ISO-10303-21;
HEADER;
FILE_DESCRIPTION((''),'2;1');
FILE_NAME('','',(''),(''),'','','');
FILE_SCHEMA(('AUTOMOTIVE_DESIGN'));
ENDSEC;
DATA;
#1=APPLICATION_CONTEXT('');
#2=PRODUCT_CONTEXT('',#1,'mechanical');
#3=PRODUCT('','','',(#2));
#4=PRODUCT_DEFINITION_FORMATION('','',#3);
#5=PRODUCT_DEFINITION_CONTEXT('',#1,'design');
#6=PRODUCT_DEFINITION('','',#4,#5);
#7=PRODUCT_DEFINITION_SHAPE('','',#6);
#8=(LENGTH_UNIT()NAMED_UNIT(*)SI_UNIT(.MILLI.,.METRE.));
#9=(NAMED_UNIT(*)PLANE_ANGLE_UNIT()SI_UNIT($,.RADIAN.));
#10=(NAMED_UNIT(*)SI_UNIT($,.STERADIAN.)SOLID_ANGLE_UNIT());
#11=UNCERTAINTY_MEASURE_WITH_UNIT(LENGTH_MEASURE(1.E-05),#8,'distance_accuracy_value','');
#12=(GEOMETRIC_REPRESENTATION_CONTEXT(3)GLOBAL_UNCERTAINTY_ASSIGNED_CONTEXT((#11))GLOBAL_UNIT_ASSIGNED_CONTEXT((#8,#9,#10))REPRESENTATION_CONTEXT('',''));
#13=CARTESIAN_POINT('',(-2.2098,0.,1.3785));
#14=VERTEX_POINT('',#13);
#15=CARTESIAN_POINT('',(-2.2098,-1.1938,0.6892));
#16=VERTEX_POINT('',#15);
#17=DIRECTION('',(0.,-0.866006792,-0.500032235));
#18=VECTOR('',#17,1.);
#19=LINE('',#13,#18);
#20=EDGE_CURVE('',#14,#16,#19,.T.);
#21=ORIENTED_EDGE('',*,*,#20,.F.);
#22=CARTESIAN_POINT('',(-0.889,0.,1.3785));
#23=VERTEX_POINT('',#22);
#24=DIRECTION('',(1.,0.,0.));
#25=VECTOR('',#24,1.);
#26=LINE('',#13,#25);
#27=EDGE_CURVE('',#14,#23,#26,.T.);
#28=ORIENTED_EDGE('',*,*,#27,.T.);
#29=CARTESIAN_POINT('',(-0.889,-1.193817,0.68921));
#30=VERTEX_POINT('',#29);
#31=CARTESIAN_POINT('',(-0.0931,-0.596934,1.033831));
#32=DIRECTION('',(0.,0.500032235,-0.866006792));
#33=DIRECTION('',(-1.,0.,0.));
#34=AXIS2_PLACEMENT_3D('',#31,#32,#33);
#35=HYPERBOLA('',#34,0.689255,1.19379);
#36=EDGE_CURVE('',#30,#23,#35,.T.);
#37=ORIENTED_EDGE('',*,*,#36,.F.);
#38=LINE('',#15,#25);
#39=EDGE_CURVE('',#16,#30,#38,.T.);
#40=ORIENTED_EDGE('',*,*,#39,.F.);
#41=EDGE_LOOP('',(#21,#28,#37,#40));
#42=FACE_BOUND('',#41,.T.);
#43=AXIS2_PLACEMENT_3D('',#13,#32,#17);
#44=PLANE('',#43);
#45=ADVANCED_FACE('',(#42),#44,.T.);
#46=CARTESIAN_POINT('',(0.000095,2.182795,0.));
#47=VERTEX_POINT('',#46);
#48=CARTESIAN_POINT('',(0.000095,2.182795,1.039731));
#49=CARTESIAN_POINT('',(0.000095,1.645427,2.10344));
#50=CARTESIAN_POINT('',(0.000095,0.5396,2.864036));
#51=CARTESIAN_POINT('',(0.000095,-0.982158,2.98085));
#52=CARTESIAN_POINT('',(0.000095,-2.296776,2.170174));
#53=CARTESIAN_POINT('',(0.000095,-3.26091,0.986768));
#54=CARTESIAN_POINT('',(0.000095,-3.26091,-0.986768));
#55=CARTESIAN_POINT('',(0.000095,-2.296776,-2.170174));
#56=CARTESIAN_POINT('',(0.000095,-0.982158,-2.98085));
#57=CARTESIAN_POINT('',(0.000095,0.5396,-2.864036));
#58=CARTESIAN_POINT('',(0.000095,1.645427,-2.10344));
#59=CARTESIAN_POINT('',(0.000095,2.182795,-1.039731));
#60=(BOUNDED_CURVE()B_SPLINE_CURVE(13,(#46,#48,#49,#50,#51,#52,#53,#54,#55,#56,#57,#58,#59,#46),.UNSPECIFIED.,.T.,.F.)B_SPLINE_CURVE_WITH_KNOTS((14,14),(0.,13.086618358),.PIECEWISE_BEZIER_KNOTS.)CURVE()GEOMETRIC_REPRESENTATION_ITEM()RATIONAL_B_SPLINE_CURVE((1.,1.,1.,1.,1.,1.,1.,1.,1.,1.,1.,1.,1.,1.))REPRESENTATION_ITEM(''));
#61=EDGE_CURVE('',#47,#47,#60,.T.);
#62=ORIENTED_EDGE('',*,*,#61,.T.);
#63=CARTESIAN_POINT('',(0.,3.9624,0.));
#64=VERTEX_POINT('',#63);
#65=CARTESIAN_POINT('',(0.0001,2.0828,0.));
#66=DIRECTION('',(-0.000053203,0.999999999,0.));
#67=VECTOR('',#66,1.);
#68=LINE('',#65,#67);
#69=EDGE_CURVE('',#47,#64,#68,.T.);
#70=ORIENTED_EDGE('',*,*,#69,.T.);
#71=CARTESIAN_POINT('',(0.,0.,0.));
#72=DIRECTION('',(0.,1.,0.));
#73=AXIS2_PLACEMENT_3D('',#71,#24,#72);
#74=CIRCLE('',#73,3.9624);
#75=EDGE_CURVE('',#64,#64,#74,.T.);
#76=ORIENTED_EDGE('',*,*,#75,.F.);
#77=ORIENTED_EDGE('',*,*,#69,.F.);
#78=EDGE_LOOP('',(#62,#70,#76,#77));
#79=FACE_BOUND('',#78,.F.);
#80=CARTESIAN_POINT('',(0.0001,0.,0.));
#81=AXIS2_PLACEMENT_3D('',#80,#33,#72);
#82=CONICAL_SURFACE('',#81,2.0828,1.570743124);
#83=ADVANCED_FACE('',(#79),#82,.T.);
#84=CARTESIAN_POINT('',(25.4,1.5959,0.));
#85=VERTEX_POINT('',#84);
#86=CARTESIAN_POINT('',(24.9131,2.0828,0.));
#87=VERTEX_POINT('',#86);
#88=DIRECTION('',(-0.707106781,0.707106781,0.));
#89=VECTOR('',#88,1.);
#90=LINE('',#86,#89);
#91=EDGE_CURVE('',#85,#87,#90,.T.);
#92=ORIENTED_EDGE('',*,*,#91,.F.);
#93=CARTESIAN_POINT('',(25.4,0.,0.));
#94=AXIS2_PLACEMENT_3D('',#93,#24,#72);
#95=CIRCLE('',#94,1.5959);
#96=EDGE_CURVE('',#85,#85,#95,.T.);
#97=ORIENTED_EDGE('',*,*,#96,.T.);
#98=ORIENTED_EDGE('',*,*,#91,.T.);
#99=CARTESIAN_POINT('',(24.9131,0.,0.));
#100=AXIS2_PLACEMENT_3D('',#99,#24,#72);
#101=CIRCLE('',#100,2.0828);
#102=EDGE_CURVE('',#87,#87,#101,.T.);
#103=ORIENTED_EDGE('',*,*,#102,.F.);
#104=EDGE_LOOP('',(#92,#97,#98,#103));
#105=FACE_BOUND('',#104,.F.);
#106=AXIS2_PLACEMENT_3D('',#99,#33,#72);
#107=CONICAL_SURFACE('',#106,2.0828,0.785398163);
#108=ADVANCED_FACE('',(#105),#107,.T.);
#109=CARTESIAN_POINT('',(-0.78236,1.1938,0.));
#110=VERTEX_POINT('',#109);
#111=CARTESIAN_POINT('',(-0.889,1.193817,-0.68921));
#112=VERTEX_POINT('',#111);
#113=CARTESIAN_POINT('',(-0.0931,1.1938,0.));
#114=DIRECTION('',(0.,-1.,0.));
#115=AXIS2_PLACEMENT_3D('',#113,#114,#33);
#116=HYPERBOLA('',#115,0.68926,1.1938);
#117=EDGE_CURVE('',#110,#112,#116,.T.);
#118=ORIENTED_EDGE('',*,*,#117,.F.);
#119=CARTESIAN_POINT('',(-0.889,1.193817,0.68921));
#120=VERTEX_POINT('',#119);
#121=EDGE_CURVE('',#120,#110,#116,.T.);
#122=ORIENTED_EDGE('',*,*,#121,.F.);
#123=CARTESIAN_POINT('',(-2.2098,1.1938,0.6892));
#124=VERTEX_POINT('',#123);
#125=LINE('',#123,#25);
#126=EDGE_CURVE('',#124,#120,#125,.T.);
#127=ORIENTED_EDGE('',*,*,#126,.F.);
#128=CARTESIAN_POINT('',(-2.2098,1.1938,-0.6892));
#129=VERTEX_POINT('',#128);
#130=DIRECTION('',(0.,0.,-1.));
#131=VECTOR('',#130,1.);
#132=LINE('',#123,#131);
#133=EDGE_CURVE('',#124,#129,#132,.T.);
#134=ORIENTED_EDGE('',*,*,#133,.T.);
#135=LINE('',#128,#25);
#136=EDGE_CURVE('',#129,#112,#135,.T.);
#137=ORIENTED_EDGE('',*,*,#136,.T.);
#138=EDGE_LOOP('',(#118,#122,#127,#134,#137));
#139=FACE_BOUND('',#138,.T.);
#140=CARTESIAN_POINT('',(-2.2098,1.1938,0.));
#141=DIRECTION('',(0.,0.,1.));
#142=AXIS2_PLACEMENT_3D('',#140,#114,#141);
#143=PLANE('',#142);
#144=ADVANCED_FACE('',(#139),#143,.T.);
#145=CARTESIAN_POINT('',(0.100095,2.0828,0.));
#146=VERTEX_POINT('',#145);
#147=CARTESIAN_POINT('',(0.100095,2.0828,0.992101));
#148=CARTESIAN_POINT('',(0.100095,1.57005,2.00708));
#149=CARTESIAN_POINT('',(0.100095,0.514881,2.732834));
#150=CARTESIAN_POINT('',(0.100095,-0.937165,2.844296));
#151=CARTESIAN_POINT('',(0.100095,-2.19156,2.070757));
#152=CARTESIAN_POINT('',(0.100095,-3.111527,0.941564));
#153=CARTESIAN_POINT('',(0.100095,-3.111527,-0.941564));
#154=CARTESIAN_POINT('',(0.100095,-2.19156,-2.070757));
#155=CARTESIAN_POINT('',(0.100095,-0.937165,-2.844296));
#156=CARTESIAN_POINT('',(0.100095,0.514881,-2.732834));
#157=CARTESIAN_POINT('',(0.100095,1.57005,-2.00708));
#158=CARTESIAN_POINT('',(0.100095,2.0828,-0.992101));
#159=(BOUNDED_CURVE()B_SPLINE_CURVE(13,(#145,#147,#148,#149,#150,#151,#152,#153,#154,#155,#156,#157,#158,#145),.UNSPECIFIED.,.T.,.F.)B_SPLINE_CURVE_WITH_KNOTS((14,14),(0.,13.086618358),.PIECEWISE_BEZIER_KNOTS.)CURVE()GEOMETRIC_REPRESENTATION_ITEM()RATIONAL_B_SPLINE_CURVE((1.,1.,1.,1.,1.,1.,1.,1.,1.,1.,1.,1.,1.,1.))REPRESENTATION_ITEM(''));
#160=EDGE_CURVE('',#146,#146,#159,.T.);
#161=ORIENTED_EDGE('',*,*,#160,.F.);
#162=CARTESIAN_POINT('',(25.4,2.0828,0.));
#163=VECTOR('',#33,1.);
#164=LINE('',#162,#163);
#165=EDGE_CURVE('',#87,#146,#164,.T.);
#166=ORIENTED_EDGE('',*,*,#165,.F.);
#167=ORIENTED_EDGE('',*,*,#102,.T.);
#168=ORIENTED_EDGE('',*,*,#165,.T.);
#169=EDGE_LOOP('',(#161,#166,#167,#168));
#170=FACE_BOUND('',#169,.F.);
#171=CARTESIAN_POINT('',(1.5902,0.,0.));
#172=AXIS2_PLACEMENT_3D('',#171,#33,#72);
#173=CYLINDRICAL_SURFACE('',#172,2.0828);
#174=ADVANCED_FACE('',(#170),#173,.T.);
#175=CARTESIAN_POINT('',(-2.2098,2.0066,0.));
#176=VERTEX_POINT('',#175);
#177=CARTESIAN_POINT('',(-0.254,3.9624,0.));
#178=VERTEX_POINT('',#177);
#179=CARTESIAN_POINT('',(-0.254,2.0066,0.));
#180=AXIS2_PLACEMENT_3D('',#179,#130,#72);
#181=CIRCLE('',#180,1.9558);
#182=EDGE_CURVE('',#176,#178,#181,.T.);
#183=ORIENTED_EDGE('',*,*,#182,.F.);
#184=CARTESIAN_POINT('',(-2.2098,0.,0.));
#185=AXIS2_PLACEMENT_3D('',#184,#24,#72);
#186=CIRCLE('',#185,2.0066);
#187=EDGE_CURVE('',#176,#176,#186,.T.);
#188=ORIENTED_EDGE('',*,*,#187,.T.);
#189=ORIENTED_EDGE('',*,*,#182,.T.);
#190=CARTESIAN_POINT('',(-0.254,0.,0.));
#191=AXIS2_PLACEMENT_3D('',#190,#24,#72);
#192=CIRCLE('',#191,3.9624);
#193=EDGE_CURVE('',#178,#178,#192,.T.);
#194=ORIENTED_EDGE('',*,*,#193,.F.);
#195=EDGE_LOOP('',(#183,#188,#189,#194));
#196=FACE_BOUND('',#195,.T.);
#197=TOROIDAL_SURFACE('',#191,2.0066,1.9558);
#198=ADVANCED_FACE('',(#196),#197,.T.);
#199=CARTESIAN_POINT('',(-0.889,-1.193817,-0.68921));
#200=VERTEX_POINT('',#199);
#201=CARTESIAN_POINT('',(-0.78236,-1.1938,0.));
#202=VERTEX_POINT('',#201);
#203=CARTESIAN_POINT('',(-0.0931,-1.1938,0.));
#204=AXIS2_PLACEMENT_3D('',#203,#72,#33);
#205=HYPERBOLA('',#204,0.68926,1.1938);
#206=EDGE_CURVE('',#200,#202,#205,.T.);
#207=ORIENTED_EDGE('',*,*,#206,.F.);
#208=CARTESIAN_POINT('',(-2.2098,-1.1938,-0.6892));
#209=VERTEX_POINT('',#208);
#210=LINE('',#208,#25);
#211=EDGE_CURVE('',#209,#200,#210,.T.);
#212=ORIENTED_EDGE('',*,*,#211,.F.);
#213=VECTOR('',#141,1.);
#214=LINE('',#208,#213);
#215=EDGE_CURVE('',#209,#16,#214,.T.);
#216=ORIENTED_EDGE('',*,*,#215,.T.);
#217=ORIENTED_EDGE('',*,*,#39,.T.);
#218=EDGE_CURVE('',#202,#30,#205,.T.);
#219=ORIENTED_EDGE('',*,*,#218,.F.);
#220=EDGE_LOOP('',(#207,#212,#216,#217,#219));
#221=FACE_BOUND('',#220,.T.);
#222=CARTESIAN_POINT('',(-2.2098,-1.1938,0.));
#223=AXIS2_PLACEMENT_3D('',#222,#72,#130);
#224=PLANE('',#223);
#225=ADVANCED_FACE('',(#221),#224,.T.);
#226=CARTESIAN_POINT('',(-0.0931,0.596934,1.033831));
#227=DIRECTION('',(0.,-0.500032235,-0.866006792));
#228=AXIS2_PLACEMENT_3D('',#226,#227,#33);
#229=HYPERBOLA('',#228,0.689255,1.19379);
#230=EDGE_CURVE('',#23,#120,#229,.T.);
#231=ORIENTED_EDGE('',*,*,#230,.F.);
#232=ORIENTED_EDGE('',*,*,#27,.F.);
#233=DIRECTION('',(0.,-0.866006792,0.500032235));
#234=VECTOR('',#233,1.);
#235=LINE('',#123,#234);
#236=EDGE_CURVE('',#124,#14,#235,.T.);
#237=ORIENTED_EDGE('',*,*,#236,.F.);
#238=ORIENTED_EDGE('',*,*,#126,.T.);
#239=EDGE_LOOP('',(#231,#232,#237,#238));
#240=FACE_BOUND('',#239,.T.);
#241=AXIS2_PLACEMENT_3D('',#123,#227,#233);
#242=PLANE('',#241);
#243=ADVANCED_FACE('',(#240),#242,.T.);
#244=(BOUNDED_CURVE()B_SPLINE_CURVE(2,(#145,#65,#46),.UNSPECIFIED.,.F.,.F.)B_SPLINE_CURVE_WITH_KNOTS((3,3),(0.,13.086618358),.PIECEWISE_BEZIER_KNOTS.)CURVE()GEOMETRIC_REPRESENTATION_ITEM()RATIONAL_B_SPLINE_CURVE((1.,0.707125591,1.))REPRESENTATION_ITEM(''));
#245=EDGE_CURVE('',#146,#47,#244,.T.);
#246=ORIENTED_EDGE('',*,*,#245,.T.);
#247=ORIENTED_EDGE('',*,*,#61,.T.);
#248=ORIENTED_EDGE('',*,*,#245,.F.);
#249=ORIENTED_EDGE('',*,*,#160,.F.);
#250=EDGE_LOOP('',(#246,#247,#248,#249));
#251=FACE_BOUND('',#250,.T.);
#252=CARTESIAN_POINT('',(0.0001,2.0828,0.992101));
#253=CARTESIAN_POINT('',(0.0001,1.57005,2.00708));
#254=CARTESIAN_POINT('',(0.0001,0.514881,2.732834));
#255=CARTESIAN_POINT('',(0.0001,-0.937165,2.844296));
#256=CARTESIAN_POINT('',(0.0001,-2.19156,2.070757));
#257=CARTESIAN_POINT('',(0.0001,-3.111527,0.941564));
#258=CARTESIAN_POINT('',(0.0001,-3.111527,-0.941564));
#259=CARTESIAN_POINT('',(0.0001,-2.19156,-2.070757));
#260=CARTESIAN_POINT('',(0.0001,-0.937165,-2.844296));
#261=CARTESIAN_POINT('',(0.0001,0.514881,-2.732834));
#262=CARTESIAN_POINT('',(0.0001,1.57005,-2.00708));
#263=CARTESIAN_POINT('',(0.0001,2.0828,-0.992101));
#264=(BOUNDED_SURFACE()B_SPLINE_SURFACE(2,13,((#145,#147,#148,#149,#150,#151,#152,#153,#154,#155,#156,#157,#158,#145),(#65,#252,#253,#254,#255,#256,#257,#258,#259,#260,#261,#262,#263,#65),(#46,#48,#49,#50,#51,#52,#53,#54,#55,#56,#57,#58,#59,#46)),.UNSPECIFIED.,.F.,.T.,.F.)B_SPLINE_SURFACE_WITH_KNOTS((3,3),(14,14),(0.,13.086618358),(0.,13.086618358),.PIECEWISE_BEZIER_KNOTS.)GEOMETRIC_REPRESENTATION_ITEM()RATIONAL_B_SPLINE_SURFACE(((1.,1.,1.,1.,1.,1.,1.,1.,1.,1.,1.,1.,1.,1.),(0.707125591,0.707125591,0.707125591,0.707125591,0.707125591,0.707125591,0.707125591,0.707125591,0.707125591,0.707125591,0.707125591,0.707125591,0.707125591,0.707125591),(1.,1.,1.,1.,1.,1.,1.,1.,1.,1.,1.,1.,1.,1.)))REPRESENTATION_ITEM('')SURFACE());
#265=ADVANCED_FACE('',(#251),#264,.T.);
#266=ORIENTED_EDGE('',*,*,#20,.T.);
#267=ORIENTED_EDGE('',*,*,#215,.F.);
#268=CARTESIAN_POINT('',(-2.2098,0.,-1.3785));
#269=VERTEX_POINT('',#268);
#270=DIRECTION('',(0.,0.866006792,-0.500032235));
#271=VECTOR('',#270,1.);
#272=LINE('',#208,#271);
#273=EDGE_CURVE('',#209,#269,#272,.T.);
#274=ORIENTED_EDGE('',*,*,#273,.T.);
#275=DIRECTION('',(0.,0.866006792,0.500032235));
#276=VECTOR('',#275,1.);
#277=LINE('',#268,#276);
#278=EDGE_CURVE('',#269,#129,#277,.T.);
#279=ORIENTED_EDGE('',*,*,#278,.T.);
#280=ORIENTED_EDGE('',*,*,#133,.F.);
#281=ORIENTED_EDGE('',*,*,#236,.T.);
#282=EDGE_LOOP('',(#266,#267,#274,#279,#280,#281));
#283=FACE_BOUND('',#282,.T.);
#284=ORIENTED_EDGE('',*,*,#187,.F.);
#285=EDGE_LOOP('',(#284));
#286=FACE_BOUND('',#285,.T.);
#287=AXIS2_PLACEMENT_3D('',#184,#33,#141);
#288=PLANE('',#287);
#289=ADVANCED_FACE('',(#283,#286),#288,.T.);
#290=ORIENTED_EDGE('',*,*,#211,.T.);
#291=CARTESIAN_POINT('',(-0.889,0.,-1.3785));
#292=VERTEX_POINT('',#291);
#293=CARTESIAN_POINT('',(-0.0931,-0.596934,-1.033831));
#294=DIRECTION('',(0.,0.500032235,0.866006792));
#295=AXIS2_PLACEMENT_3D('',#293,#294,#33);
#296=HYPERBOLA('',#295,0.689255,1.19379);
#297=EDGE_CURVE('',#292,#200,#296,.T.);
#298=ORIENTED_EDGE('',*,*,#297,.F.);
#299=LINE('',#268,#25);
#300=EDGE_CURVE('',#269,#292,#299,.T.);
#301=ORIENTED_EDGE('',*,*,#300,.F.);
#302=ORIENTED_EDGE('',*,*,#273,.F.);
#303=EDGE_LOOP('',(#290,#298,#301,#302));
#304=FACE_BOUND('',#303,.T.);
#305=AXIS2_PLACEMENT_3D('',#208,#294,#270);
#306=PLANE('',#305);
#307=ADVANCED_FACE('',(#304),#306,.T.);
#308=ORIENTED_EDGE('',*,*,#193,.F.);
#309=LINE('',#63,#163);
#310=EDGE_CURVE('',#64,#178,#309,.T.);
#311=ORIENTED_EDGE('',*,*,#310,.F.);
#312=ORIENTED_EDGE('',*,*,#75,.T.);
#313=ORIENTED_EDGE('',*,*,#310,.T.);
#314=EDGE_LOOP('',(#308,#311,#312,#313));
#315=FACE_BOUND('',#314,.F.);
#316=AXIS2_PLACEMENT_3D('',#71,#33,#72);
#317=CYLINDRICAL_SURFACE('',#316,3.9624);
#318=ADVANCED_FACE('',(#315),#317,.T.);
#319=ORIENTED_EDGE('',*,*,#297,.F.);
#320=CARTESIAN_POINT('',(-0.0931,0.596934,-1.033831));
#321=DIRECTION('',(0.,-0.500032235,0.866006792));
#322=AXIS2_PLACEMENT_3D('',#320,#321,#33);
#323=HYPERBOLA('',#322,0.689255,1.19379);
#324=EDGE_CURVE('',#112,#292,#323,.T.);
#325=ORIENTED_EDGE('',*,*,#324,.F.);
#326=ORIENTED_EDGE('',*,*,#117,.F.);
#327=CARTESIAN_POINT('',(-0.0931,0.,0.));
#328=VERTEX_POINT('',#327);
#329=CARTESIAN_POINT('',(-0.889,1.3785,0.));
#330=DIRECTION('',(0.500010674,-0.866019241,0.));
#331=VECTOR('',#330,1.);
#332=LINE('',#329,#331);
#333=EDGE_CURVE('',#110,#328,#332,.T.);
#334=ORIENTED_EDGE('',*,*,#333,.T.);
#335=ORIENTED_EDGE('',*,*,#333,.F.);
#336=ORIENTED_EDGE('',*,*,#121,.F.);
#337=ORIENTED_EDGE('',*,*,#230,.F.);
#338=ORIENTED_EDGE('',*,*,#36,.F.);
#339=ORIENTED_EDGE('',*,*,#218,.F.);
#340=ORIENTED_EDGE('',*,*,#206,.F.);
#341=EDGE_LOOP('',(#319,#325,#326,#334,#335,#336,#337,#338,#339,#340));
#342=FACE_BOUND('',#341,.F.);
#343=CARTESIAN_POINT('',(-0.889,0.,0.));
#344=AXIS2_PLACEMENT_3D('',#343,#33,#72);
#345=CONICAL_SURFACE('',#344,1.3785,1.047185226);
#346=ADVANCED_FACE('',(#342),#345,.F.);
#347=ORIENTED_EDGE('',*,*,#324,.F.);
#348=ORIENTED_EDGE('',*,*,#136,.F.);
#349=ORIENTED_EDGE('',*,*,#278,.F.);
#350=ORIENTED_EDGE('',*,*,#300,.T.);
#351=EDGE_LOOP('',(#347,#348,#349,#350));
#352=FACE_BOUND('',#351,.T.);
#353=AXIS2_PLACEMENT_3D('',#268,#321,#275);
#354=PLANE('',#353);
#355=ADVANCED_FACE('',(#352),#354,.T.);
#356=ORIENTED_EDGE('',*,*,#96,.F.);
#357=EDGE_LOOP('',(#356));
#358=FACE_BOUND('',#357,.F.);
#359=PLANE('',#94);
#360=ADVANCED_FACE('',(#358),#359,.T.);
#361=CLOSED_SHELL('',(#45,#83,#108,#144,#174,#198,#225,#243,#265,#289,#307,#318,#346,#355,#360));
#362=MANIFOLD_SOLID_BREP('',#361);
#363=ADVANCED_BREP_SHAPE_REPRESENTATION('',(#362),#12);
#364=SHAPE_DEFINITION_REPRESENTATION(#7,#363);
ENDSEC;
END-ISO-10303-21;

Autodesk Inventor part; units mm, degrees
ref_plane "YZ Plane" through (0, 0, 0) normal (1, 0, 0) x (0, 1, 0)
ref_plane "XZ Plane" through (0, 0, 0) normal (0, 1, 0) x (-1, 0, 0)
sketch "Sketch1" plane through (0, 0, 0) normal (0, 0, 1) x (1, 0, 0)
  line L0 (-0.0931, 0) -> (25.4, 0)
  line L1 (25.4, 0) -> (25.4, 2.0828)
  line L2 (25.4, 2.0828) -> (1.5902, 2.0828)
  line L3 (1.5902, 2.0828) -> (0.0001, 2.0828)
  line L4 (0.0001, 2.0828) -> (0, 2.0828)
  line L5 (0, 2.0828) -> (0, 3.9624)
  line L6 (0, 3.9624) -> (-2.2098, 3.9624)
  line L7 (-2.2098, 3.9624) -> (-2.2098, 1.3785)
  line L8 (-2.2098, 1.3785) -> (-0.889, 1.3785)
  line L9 (-0.889, 1.3785) -> (-0.0931, 0)
  line L10 (-7.7318, 0) -> (30.922, 0) projected
  line L11 (0, -0.7925) -> (0, 4.7549) projected
  line L12 (1.5902, 2.0828) -> (0, 2.0828) construction
  dimension "d1" = 23.8098
  dimension "d2" = 1.5901
  dimension "d3" = 2.2098
  dimension "d4" = 1.3208
  dimension "d5" = 60
  dimension "d6" = 4.1656
  dimension "d7" = 4.1656
  dimension "d8" = 2.757
  dimension "d9" = 7.9248
  dimension "d26" = 25.4
revolve "Body" add sketch "Sketch1" angle 360 about axis through (-0.0931, 0, 0) along (1, 0, 0)
sketch "Sketch2" plane through (-2.2098, 0, 0) normal (-1, 0, 0) x (0, 0, 1)
  circle A0 centre (0, 0) radius 1.3785 projected
  line L0 (0, -5.5474) -> (0, 5.5474) projected
  line L1 (-5.5474, 0) -> (5.5474, 0) projected
  line L2 (1.3785, 0) -> (0.6892, -1.1938)
  line L3 (0.6892, -1.1938) -> (-0.6892, -1.1938)
  line L4 (-0.6892, -1.1938) -> (-1.3785, 0)
  line L5 (-1.3785, 0) -> (-0.6892, 1.1938)
  line L6 (-0.6892, 1.1938) -> (0.6892, 1.1938)
  line L7 (0.6892, 1.1938) -> (1.3785, 0)
extrude "Slot" add sketch "Sketch2" against normal up to next contours L7 A0 | A0 L2 | L6 L0 A0 | A0 L0 L3 | L0 L6 A0 | A0 L3 L0 | L4 A0 | A0 L5
fillet "Fillet1" radius 1.9558 1 edges at (-2.2098, -3.9624, 0)
thread "Thread" size "8-32 UNC" class "2A" standard "ANSI Unified Screw Threads" length 23.8098
chamfer "Chamfer1" distance 0.4869 distance2 0.4869 1 edges at (25.4, -2.0828, 0) measured on face at (25.4, -0.0273, 0.4604)
ref_plane "Work Plane1" through (29, 0, 0) normal (0, -1, 0) x (1, 0, 0)
fillet "Fillet2" radius 0.1 1 edges at (0.0001, -2.0828, 0)
equation "\"d1\" = GEL"
equation "\"d3\" = KOH"
equation "\"d4\" = INTI"
equation "\"d6\" = GD"
equation "\"d7\" = BDM"
equation "\"d8\" = 1.1547 * SW"
equation "\"d9\" = KOD"
equation "\"d26\" = NLG"
equation "\"d30\" = R"
equation "\"d17\" = RR"
equation "\"d13\" = GEL"
equation "\"d15\" = -0.5 * SPD + 0.5 * GD"
equation "\"d16\" = GUL"
equation "\"GD\" = NND"
equation "\"NLG\" = 25.4"
equation "\"GEL\" = 23.80976"
equation "\"KOD\" = 7.9248"
equation "\"KOH\" = 2.2098"
equation "\"INTI\" = 1.3208"
equation "\"GAL\" = 1.59004"
equation "\"GUL\" = 0.48692"
equation "\"BDM\" = NND"
equation "\"SW\" = 2.3876"
equation "\"RR\" = 1.9558"
equation "\"SPD\" = 3.19176"
equation "\"R\" = 0.1"
equation "\"TOA\" = 30deg"
equation "\"GD1\" = SPD"
equation "\"THREADDIA\" = 4.1656"
equation "\"KOH1\" = 0.381"
equation "\"NND\" = 4.1656"
equation "\"E0\" = 2.75768"
properties part number "ANSI B18.3 - 8 - 32 x 1" material "Steel, Mild"
